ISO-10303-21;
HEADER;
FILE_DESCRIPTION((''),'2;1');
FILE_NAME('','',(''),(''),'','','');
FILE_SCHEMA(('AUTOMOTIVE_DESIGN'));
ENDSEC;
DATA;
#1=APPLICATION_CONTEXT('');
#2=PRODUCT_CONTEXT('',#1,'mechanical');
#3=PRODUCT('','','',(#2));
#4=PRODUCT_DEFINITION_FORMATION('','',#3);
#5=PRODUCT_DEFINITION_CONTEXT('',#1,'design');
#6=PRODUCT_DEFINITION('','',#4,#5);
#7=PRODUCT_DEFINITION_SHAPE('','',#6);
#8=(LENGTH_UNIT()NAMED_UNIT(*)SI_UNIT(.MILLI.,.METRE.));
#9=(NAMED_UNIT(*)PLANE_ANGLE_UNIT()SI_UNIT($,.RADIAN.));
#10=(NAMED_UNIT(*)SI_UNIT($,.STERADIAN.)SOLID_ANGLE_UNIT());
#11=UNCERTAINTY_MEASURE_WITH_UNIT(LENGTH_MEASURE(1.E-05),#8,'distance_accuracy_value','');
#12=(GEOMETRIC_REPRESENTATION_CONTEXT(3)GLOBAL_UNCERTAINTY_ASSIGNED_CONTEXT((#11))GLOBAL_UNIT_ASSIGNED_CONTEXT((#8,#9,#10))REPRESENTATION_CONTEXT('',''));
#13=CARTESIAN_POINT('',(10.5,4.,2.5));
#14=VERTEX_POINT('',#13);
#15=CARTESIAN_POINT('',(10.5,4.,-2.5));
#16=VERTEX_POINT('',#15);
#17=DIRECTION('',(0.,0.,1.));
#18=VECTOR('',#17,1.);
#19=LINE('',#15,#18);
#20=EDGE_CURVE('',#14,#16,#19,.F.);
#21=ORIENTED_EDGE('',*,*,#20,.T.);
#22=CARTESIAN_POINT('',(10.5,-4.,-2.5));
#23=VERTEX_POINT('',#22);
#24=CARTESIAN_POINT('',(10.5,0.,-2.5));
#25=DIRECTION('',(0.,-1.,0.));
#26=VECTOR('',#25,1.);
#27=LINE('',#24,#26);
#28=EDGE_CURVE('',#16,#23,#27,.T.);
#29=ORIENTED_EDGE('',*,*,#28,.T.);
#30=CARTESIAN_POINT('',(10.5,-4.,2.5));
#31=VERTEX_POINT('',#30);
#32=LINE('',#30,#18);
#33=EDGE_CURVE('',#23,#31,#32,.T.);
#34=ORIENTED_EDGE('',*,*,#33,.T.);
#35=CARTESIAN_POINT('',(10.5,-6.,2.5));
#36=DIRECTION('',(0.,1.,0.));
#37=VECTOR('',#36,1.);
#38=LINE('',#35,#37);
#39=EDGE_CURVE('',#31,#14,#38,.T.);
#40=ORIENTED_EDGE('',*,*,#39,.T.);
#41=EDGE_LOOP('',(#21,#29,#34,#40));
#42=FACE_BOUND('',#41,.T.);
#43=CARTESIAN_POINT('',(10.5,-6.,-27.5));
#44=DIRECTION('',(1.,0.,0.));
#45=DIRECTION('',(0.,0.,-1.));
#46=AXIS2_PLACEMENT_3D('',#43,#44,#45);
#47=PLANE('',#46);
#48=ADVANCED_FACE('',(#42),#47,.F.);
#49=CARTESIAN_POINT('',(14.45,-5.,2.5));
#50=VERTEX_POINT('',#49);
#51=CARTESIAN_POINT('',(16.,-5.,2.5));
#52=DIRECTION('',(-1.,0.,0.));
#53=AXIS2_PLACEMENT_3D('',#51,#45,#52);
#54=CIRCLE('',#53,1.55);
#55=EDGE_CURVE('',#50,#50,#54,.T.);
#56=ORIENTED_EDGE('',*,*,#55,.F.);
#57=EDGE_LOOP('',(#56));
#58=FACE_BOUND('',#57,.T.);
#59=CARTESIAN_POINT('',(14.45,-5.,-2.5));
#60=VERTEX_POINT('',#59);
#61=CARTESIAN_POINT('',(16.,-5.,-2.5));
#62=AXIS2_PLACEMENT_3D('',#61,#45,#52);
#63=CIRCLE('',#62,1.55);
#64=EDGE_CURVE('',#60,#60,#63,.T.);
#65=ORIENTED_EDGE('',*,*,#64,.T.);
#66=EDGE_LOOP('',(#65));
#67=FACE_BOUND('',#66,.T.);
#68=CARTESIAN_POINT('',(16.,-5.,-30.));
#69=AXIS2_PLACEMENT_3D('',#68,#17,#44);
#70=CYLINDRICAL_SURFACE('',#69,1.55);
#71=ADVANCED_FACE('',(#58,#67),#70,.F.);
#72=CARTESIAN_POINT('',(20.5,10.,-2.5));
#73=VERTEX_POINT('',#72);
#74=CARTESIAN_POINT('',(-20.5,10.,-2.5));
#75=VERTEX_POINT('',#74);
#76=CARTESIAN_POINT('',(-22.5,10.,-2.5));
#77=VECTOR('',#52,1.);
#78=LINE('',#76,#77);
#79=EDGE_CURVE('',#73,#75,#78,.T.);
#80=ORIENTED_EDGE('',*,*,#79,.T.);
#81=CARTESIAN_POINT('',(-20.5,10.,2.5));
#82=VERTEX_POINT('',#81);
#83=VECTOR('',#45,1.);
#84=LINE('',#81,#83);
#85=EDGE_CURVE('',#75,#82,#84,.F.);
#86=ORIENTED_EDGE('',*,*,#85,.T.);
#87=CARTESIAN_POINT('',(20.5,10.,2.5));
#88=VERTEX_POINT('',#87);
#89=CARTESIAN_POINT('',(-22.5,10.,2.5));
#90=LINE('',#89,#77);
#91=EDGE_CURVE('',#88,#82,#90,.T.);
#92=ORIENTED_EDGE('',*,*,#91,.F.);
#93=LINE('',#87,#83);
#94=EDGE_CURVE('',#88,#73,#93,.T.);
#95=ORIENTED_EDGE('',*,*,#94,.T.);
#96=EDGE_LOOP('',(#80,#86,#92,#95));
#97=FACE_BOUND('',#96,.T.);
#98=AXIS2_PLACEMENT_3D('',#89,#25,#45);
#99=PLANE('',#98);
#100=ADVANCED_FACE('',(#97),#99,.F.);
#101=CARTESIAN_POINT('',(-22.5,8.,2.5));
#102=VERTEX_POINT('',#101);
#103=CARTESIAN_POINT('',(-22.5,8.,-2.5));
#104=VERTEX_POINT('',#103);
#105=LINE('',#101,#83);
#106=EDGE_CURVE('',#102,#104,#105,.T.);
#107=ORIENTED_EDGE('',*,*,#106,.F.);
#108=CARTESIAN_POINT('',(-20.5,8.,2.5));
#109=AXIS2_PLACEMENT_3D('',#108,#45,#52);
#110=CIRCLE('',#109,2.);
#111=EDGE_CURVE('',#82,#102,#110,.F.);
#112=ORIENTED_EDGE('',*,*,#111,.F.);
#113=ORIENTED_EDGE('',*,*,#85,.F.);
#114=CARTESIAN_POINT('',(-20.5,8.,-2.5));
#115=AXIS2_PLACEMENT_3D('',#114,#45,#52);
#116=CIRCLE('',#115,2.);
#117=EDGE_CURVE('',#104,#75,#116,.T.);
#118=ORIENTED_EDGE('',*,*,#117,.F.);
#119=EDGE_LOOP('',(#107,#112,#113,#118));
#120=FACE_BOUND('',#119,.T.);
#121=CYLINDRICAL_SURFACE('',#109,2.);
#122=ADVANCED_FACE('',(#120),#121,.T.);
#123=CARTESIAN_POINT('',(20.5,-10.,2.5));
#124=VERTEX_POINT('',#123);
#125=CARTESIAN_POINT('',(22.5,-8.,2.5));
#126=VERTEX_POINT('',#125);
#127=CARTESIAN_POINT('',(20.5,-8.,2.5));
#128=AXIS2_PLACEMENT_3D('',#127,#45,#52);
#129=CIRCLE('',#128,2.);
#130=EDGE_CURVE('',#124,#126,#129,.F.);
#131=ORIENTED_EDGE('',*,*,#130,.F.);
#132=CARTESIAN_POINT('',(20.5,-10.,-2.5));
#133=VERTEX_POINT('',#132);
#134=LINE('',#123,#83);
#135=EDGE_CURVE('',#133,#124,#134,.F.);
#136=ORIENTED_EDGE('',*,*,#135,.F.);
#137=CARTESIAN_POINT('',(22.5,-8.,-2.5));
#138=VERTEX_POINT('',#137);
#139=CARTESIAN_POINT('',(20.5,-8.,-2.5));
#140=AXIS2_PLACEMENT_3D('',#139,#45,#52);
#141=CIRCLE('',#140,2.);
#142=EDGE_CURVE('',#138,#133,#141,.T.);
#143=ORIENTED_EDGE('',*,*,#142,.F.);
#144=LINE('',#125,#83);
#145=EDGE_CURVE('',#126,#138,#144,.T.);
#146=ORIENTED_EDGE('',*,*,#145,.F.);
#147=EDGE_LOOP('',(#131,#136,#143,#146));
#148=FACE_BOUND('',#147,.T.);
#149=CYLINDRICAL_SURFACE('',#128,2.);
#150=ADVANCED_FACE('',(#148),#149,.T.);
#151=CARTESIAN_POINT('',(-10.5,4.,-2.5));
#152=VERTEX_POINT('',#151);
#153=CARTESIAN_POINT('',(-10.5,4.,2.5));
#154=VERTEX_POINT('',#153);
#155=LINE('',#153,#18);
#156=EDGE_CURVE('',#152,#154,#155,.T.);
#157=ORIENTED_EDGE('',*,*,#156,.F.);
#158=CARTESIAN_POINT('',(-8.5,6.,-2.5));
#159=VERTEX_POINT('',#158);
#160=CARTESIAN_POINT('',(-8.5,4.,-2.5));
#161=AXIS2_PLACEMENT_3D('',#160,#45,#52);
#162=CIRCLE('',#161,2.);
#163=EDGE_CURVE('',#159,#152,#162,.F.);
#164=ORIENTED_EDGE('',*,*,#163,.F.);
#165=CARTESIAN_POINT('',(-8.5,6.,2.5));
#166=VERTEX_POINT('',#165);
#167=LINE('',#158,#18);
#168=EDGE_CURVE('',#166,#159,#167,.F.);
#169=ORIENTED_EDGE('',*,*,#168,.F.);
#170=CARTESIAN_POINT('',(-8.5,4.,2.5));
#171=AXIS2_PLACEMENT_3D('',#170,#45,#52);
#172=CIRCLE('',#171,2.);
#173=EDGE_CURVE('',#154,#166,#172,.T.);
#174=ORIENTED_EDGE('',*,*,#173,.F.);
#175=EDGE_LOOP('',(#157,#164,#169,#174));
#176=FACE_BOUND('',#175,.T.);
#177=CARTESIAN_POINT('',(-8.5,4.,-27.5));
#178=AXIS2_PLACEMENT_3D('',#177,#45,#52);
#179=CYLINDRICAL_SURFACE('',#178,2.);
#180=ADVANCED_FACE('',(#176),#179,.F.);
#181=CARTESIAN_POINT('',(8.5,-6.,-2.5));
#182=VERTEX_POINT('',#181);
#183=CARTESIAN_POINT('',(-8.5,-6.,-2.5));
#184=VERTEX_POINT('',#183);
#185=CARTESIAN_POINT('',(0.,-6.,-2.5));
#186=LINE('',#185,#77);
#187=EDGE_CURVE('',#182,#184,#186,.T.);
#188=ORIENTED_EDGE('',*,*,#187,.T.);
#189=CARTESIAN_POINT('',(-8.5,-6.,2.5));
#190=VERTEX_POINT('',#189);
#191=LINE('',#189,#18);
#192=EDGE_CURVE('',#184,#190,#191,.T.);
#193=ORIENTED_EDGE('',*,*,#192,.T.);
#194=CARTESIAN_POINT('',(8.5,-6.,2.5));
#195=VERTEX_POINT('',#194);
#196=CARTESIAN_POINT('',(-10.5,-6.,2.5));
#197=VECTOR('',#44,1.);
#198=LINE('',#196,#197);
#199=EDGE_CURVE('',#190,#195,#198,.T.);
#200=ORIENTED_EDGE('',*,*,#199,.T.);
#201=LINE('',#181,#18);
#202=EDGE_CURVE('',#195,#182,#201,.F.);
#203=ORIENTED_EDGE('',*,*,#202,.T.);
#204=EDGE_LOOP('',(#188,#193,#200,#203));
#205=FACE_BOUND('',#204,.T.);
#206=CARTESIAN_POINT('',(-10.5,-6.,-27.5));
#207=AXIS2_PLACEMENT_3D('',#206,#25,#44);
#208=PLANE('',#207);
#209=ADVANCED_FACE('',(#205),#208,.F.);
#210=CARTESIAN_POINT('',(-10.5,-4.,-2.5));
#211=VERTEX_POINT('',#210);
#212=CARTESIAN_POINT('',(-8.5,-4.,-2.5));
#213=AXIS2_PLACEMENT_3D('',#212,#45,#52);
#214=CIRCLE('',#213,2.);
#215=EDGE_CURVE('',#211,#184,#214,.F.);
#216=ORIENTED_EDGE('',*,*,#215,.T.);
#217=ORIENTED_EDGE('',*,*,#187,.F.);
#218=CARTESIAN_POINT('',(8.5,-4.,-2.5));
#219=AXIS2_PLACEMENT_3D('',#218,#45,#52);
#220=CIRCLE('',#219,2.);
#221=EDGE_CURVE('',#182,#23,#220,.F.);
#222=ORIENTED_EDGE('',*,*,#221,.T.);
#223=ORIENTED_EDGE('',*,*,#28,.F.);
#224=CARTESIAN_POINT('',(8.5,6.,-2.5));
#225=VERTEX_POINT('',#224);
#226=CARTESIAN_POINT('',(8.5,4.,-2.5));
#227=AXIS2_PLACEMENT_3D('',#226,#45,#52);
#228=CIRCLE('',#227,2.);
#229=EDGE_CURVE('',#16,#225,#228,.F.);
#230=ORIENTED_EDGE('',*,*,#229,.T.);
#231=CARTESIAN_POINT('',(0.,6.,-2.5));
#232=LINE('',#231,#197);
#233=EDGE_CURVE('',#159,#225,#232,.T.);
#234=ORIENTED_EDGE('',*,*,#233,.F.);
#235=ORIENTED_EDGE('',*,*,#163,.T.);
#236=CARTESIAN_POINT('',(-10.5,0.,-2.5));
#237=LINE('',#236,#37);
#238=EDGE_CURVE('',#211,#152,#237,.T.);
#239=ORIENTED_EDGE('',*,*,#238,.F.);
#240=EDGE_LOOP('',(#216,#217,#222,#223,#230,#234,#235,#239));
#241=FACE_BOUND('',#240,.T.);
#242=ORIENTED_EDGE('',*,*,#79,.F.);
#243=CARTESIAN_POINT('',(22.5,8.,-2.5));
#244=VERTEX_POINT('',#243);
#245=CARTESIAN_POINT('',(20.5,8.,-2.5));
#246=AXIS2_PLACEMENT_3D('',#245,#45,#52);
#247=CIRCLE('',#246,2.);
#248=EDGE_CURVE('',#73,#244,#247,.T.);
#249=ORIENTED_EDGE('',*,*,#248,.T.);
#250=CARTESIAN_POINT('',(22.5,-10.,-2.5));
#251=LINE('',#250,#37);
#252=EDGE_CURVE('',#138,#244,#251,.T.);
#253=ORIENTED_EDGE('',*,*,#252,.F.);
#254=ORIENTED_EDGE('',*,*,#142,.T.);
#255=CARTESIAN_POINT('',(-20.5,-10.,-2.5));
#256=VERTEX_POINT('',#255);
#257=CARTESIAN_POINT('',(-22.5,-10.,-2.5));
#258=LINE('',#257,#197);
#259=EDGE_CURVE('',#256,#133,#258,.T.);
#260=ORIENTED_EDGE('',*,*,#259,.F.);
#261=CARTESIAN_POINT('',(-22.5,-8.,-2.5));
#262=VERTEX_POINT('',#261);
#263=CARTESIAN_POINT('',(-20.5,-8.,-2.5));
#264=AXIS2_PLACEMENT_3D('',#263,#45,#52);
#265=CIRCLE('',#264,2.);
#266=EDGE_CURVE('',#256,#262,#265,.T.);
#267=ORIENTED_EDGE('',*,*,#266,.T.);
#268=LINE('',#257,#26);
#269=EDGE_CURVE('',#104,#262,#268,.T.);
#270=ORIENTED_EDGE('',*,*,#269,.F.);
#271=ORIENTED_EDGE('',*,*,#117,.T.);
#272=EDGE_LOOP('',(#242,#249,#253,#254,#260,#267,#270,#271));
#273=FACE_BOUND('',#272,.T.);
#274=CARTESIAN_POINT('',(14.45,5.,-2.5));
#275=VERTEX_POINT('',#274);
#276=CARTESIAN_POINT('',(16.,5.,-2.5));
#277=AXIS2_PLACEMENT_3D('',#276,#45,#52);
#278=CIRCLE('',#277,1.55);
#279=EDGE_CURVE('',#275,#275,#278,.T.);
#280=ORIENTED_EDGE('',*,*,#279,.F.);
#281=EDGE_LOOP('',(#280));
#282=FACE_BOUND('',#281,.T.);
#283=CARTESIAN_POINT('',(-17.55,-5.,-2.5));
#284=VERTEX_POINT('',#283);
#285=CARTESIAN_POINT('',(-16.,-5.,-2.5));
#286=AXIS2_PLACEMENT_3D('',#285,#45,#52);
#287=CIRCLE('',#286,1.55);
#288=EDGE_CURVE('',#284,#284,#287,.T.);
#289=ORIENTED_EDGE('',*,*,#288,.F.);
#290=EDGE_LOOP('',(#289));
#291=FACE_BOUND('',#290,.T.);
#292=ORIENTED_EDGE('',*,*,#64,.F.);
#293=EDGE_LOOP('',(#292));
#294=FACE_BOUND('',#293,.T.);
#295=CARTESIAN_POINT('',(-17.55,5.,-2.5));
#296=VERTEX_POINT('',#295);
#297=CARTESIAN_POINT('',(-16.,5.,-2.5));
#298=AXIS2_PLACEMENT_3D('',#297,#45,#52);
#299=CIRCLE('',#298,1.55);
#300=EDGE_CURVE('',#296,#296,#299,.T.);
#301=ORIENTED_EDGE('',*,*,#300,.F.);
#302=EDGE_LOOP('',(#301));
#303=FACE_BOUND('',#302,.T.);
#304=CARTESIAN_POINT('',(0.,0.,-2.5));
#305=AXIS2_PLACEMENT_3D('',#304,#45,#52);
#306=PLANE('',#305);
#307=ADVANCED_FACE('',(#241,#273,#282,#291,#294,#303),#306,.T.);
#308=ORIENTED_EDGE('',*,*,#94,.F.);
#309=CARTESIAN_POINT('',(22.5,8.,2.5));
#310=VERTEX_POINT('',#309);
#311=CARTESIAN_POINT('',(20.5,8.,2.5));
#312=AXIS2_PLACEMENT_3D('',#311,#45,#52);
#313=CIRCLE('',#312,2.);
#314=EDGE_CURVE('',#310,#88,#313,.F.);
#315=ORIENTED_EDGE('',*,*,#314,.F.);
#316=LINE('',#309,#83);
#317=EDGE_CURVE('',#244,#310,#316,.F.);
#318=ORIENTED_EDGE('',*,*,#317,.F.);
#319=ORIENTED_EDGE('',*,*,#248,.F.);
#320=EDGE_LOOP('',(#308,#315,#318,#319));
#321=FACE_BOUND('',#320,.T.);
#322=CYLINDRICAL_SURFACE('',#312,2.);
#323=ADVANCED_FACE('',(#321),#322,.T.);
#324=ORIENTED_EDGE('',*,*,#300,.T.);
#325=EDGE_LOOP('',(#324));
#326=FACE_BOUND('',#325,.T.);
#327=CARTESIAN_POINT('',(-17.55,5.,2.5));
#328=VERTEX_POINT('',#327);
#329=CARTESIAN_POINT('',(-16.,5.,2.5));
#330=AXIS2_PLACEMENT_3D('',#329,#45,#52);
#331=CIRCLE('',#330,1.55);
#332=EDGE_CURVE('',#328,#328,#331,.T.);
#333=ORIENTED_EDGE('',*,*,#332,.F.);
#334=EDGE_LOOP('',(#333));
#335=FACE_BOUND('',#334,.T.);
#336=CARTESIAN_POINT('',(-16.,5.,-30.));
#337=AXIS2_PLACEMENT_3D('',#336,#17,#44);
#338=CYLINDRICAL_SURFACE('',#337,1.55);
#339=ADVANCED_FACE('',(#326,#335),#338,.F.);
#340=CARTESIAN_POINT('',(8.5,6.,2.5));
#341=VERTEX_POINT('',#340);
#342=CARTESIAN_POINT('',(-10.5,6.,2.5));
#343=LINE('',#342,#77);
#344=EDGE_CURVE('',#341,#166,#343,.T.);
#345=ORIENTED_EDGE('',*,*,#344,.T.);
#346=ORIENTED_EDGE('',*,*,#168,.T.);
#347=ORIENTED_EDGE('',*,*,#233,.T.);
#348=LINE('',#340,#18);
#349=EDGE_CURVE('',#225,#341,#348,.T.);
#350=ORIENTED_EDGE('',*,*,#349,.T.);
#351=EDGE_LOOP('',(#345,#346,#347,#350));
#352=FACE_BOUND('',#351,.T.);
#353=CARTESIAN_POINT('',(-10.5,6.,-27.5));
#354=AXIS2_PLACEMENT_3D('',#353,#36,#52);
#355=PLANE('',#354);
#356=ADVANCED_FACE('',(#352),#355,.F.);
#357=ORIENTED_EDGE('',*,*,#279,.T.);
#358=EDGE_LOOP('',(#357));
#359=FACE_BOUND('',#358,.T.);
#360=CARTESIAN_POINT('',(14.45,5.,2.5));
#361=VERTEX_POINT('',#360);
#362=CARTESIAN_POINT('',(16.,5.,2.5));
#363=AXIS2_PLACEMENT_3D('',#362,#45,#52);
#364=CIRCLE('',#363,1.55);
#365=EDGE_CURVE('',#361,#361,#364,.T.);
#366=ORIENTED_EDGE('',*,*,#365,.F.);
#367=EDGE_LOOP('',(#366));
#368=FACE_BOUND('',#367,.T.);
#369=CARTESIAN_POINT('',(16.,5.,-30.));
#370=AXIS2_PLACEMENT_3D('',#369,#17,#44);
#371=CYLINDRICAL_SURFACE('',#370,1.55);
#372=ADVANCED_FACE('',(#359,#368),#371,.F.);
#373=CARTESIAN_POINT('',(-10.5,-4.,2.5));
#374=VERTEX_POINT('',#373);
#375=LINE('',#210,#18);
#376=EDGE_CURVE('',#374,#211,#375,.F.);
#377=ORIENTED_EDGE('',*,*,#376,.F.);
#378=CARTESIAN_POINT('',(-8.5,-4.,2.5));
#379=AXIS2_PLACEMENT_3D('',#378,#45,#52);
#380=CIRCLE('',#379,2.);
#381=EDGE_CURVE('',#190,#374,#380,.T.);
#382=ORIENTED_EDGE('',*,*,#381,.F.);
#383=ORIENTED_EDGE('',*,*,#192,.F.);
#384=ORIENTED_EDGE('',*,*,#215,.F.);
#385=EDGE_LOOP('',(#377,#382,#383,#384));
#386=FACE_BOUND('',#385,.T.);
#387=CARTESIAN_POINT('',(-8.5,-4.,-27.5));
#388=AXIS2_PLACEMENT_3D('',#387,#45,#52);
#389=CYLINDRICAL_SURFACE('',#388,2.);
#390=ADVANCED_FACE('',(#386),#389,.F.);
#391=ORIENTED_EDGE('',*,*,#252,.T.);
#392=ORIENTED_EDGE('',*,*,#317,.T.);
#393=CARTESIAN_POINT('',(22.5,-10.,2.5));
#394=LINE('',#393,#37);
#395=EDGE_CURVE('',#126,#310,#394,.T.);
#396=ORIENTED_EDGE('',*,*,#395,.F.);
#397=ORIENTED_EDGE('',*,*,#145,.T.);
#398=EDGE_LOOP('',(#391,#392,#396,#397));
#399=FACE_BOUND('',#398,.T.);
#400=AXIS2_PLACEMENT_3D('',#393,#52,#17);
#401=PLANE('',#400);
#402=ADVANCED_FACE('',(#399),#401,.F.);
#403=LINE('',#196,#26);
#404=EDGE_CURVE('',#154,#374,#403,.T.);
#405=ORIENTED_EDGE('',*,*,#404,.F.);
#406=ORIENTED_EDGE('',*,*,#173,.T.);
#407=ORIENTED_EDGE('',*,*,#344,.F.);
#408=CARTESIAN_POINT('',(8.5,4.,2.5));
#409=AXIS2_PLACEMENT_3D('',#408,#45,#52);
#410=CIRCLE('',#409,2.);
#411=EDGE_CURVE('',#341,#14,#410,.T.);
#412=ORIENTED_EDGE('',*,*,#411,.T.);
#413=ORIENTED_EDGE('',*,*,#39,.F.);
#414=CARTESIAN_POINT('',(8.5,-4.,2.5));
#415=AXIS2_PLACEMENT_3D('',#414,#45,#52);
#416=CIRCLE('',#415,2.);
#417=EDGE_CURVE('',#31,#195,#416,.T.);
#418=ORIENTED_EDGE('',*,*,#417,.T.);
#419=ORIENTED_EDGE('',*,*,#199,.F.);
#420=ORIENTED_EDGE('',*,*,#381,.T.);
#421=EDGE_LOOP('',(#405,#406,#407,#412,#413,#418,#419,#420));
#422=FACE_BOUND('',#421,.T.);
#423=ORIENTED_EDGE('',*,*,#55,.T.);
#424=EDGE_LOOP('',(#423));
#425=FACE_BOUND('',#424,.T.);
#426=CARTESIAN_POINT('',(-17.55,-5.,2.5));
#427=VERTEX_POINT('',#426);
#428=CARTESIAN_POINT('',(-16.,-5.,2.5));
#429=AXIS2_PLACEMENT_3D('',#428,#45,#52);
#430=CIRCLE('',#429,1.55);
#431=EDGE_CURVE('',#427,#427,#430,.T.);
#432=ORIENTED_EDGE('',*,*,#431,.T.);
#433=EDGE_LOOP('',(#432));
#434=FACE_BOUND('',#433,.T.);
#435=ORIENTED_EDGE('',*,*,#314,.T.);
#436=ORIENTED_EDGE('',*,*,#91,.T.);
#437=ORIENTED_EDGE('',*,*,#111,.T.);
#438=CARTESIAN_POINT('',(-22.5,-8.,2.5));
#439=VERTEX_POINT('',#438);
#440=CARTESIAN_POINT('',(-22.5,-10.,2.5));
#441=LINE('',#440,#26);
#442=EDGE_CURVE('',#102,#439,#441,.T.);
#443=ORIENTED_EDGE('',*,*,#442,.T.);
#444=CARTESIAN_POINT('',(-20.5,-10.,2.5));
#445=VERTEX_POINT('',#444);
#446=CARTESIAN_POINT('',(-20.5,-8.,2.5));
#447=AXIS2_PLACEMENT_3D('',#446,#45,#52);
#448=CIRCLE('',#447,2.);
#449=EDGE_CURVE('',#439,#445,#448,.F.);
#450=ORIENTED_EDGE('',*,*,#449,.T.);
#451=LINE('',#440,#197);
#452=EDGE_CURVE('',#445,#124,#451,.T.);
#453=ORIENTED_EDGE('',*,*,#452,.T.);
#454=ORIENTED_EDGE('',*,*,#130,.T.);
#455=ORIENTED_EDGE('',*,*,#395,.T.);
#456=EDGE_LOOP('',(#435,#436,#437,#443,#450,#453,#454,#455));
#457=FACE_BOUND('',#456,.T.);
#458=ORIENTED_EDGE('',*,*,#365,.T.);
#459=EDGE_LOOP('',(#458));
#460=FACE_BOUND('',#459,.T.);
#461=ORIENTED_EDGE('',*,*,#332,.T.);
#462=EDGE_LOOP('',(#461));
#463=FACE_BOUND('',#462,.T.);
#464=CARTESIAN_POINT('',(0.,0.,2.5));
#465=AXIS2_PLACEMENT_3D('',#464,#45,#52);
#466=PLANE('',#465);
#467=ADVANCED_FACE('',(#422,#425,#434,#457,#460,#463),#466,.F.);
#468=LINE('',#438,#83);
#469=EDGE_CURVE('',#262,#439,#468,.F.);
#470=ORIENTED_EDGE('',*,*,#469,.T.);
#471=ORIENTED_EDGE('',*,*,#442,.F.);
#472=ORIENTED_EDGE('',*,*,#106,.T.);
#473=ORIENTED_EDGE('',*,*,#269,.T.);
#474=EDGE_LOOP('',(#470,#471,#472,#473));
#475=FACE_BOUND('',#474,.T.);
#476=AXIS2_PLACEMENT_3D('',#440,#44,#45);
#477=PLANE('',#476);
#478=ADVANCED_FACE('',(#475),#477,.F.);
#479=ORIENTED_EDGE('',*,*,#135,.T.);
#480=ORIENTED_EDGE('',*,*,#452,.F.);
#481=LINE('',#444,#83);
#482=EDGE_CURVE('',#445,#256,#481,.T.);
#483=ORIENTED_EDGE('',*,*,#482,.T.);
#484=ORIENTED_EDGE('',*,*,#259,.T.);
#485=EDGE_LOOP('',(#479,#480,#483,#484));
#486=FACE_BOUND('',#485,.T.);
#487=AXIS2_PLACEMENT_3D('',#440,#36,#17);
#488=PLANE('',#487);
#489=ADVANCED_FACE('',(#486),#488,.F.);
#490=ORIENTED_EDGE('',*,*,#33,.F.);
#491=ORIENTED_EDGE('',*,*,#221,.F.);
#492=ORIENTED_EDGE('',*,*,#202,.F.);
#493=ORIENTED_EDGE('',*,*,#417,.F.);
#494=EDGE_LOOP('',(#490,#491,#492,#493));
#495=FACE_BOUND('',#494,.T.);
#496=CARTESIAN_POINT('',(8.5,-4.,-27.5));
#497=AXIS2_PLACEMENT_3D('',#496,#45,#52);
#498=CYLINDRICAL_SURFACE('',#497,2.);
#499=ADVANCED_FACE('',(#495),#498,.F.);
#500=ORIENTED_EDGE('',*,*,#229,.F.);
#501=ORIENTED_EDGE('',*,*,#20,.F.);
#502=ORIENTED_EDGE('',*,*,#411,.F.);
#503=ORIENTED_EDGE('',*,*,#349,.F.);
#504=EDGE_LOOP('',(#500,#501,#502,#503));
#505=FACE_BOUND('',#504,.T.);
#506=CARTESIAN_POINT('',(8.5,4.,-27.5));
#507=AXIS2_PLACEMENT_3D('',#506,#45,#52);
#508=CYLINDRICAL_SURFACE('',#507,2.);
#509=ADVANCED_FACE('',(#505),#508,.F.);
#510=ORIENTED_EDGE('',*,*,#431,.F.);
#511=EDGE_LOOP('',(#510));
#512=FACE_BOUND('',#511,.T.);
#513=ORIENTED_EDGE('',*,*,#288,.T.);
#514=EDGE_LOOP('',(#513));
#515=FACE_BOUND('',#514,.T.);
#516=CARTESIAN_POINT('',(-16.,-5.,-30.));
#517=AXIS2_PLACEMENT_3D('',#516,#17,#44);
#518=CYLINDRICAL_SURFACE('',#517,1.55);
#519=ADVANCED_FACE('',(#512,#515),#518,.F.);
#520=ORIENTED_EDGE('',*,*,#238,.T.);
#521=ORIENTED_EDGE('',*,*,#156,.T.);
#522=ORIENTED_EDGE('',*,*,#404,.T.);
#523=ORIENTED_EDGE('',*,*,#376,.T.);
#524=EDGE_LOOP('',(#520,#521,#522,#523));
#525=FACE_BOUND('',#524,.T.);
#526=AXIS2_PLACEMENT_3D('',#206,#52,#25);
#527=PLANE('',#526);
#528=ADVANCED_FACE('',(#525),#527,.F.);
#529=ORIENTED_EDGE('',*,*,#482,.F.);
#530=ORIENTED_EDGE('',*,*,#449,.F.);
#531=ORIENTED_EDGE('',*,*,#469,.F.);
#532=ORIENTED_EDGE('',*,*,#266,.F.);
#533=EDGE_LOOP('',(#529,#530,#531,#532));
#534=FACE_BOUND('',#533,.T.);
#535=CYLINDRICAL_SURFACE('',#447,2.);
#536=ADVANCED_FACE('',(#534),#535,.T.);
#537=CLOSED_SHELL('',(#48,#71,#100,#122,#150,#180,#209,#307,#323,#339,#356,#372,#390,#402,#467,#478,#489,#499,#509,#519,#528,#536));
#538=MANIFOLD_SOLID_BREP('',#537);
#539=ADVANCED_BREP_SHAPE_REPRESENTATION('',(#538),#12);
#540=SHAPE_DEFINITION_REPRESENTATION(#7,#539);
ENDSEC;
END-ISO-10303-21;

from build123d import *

# Parameters (mm, degrees)
SKETCH_1_W          = 45
SKETCH_1_H          = 20
EXTRUDE_1_DEPTH     = 2.5
SKETCH_3_R          = 1.55
CUT_EXTRUDE_1_DEPTH = 32.5
FILLET_1_R          = 2
SKETCH_4_W          = 21
SKETCH_4_H          = 12
CUT_EXTRUDE_2_DEPTH = 30
FILLET_2_R          = 2


with BuildPart() as part:
    # 草图1 → 凸台-拉伸1 (new body, symmetric)
    with BuildSketch(Plane.XY):
        Rectangle(SKETCH_1_W, SKETCH_1_H)
    extrude(amount=EXTRUDE_1_DEPTH, both=True)

    # 草图3 → 切除-拉伸1 (cut, symmetric)
    with BuildSketch(Plane.XY.offset(2.5)):
        with Locations((16, 5)):
            Circle(SKETCH_3_R)
        with Locations((-16, 5)):
            Circle(SKETCH_3_R)
        with Locations((-16, -5)):
            Circle(SKETCH_3_R)
        with Locations((16, -5)):
            Circle(SKETCH_3_R)
    extrude(amount=CUT_EXTRUDE_1_DEPTH, both=True, mode=Mode.SUBTRACT)

    # 圆角1
    fillet_1_edges = [part.edges().sort_by_distance(p)[0] for p in [
        (22.5, -10, 0),
        (-22.5, -10, 0),
        (-22.5, 10, 0),
        (22.5, 10, 0),
    ]]
    fillet(fillet_1_edges, radius=FILLET_1_R)

    # 草图4 → 切除-拉伸2 (cut)
    with BuildSketch(Plane.XY.offset(2.5)):
        Rectangle(SKETCH_4_W, SKETCH_4_H)
    extrude(amount=-CUT_EXTRUDE_2_DEPTH, mode=Mode.SUBTRACT)

    # 圆角2
    fillet_2_edges = [part.edges().sort_by_distance(p)[0] for p in [
        (10.5, 6, 0),
        (10.5, -6, 0),
        (-10.5, -6, 0),
        (-10.5, 6, 0),
    ]]
    fillet(fillet_2_edges, radius=FILLET_2_R)


solid = part.part
